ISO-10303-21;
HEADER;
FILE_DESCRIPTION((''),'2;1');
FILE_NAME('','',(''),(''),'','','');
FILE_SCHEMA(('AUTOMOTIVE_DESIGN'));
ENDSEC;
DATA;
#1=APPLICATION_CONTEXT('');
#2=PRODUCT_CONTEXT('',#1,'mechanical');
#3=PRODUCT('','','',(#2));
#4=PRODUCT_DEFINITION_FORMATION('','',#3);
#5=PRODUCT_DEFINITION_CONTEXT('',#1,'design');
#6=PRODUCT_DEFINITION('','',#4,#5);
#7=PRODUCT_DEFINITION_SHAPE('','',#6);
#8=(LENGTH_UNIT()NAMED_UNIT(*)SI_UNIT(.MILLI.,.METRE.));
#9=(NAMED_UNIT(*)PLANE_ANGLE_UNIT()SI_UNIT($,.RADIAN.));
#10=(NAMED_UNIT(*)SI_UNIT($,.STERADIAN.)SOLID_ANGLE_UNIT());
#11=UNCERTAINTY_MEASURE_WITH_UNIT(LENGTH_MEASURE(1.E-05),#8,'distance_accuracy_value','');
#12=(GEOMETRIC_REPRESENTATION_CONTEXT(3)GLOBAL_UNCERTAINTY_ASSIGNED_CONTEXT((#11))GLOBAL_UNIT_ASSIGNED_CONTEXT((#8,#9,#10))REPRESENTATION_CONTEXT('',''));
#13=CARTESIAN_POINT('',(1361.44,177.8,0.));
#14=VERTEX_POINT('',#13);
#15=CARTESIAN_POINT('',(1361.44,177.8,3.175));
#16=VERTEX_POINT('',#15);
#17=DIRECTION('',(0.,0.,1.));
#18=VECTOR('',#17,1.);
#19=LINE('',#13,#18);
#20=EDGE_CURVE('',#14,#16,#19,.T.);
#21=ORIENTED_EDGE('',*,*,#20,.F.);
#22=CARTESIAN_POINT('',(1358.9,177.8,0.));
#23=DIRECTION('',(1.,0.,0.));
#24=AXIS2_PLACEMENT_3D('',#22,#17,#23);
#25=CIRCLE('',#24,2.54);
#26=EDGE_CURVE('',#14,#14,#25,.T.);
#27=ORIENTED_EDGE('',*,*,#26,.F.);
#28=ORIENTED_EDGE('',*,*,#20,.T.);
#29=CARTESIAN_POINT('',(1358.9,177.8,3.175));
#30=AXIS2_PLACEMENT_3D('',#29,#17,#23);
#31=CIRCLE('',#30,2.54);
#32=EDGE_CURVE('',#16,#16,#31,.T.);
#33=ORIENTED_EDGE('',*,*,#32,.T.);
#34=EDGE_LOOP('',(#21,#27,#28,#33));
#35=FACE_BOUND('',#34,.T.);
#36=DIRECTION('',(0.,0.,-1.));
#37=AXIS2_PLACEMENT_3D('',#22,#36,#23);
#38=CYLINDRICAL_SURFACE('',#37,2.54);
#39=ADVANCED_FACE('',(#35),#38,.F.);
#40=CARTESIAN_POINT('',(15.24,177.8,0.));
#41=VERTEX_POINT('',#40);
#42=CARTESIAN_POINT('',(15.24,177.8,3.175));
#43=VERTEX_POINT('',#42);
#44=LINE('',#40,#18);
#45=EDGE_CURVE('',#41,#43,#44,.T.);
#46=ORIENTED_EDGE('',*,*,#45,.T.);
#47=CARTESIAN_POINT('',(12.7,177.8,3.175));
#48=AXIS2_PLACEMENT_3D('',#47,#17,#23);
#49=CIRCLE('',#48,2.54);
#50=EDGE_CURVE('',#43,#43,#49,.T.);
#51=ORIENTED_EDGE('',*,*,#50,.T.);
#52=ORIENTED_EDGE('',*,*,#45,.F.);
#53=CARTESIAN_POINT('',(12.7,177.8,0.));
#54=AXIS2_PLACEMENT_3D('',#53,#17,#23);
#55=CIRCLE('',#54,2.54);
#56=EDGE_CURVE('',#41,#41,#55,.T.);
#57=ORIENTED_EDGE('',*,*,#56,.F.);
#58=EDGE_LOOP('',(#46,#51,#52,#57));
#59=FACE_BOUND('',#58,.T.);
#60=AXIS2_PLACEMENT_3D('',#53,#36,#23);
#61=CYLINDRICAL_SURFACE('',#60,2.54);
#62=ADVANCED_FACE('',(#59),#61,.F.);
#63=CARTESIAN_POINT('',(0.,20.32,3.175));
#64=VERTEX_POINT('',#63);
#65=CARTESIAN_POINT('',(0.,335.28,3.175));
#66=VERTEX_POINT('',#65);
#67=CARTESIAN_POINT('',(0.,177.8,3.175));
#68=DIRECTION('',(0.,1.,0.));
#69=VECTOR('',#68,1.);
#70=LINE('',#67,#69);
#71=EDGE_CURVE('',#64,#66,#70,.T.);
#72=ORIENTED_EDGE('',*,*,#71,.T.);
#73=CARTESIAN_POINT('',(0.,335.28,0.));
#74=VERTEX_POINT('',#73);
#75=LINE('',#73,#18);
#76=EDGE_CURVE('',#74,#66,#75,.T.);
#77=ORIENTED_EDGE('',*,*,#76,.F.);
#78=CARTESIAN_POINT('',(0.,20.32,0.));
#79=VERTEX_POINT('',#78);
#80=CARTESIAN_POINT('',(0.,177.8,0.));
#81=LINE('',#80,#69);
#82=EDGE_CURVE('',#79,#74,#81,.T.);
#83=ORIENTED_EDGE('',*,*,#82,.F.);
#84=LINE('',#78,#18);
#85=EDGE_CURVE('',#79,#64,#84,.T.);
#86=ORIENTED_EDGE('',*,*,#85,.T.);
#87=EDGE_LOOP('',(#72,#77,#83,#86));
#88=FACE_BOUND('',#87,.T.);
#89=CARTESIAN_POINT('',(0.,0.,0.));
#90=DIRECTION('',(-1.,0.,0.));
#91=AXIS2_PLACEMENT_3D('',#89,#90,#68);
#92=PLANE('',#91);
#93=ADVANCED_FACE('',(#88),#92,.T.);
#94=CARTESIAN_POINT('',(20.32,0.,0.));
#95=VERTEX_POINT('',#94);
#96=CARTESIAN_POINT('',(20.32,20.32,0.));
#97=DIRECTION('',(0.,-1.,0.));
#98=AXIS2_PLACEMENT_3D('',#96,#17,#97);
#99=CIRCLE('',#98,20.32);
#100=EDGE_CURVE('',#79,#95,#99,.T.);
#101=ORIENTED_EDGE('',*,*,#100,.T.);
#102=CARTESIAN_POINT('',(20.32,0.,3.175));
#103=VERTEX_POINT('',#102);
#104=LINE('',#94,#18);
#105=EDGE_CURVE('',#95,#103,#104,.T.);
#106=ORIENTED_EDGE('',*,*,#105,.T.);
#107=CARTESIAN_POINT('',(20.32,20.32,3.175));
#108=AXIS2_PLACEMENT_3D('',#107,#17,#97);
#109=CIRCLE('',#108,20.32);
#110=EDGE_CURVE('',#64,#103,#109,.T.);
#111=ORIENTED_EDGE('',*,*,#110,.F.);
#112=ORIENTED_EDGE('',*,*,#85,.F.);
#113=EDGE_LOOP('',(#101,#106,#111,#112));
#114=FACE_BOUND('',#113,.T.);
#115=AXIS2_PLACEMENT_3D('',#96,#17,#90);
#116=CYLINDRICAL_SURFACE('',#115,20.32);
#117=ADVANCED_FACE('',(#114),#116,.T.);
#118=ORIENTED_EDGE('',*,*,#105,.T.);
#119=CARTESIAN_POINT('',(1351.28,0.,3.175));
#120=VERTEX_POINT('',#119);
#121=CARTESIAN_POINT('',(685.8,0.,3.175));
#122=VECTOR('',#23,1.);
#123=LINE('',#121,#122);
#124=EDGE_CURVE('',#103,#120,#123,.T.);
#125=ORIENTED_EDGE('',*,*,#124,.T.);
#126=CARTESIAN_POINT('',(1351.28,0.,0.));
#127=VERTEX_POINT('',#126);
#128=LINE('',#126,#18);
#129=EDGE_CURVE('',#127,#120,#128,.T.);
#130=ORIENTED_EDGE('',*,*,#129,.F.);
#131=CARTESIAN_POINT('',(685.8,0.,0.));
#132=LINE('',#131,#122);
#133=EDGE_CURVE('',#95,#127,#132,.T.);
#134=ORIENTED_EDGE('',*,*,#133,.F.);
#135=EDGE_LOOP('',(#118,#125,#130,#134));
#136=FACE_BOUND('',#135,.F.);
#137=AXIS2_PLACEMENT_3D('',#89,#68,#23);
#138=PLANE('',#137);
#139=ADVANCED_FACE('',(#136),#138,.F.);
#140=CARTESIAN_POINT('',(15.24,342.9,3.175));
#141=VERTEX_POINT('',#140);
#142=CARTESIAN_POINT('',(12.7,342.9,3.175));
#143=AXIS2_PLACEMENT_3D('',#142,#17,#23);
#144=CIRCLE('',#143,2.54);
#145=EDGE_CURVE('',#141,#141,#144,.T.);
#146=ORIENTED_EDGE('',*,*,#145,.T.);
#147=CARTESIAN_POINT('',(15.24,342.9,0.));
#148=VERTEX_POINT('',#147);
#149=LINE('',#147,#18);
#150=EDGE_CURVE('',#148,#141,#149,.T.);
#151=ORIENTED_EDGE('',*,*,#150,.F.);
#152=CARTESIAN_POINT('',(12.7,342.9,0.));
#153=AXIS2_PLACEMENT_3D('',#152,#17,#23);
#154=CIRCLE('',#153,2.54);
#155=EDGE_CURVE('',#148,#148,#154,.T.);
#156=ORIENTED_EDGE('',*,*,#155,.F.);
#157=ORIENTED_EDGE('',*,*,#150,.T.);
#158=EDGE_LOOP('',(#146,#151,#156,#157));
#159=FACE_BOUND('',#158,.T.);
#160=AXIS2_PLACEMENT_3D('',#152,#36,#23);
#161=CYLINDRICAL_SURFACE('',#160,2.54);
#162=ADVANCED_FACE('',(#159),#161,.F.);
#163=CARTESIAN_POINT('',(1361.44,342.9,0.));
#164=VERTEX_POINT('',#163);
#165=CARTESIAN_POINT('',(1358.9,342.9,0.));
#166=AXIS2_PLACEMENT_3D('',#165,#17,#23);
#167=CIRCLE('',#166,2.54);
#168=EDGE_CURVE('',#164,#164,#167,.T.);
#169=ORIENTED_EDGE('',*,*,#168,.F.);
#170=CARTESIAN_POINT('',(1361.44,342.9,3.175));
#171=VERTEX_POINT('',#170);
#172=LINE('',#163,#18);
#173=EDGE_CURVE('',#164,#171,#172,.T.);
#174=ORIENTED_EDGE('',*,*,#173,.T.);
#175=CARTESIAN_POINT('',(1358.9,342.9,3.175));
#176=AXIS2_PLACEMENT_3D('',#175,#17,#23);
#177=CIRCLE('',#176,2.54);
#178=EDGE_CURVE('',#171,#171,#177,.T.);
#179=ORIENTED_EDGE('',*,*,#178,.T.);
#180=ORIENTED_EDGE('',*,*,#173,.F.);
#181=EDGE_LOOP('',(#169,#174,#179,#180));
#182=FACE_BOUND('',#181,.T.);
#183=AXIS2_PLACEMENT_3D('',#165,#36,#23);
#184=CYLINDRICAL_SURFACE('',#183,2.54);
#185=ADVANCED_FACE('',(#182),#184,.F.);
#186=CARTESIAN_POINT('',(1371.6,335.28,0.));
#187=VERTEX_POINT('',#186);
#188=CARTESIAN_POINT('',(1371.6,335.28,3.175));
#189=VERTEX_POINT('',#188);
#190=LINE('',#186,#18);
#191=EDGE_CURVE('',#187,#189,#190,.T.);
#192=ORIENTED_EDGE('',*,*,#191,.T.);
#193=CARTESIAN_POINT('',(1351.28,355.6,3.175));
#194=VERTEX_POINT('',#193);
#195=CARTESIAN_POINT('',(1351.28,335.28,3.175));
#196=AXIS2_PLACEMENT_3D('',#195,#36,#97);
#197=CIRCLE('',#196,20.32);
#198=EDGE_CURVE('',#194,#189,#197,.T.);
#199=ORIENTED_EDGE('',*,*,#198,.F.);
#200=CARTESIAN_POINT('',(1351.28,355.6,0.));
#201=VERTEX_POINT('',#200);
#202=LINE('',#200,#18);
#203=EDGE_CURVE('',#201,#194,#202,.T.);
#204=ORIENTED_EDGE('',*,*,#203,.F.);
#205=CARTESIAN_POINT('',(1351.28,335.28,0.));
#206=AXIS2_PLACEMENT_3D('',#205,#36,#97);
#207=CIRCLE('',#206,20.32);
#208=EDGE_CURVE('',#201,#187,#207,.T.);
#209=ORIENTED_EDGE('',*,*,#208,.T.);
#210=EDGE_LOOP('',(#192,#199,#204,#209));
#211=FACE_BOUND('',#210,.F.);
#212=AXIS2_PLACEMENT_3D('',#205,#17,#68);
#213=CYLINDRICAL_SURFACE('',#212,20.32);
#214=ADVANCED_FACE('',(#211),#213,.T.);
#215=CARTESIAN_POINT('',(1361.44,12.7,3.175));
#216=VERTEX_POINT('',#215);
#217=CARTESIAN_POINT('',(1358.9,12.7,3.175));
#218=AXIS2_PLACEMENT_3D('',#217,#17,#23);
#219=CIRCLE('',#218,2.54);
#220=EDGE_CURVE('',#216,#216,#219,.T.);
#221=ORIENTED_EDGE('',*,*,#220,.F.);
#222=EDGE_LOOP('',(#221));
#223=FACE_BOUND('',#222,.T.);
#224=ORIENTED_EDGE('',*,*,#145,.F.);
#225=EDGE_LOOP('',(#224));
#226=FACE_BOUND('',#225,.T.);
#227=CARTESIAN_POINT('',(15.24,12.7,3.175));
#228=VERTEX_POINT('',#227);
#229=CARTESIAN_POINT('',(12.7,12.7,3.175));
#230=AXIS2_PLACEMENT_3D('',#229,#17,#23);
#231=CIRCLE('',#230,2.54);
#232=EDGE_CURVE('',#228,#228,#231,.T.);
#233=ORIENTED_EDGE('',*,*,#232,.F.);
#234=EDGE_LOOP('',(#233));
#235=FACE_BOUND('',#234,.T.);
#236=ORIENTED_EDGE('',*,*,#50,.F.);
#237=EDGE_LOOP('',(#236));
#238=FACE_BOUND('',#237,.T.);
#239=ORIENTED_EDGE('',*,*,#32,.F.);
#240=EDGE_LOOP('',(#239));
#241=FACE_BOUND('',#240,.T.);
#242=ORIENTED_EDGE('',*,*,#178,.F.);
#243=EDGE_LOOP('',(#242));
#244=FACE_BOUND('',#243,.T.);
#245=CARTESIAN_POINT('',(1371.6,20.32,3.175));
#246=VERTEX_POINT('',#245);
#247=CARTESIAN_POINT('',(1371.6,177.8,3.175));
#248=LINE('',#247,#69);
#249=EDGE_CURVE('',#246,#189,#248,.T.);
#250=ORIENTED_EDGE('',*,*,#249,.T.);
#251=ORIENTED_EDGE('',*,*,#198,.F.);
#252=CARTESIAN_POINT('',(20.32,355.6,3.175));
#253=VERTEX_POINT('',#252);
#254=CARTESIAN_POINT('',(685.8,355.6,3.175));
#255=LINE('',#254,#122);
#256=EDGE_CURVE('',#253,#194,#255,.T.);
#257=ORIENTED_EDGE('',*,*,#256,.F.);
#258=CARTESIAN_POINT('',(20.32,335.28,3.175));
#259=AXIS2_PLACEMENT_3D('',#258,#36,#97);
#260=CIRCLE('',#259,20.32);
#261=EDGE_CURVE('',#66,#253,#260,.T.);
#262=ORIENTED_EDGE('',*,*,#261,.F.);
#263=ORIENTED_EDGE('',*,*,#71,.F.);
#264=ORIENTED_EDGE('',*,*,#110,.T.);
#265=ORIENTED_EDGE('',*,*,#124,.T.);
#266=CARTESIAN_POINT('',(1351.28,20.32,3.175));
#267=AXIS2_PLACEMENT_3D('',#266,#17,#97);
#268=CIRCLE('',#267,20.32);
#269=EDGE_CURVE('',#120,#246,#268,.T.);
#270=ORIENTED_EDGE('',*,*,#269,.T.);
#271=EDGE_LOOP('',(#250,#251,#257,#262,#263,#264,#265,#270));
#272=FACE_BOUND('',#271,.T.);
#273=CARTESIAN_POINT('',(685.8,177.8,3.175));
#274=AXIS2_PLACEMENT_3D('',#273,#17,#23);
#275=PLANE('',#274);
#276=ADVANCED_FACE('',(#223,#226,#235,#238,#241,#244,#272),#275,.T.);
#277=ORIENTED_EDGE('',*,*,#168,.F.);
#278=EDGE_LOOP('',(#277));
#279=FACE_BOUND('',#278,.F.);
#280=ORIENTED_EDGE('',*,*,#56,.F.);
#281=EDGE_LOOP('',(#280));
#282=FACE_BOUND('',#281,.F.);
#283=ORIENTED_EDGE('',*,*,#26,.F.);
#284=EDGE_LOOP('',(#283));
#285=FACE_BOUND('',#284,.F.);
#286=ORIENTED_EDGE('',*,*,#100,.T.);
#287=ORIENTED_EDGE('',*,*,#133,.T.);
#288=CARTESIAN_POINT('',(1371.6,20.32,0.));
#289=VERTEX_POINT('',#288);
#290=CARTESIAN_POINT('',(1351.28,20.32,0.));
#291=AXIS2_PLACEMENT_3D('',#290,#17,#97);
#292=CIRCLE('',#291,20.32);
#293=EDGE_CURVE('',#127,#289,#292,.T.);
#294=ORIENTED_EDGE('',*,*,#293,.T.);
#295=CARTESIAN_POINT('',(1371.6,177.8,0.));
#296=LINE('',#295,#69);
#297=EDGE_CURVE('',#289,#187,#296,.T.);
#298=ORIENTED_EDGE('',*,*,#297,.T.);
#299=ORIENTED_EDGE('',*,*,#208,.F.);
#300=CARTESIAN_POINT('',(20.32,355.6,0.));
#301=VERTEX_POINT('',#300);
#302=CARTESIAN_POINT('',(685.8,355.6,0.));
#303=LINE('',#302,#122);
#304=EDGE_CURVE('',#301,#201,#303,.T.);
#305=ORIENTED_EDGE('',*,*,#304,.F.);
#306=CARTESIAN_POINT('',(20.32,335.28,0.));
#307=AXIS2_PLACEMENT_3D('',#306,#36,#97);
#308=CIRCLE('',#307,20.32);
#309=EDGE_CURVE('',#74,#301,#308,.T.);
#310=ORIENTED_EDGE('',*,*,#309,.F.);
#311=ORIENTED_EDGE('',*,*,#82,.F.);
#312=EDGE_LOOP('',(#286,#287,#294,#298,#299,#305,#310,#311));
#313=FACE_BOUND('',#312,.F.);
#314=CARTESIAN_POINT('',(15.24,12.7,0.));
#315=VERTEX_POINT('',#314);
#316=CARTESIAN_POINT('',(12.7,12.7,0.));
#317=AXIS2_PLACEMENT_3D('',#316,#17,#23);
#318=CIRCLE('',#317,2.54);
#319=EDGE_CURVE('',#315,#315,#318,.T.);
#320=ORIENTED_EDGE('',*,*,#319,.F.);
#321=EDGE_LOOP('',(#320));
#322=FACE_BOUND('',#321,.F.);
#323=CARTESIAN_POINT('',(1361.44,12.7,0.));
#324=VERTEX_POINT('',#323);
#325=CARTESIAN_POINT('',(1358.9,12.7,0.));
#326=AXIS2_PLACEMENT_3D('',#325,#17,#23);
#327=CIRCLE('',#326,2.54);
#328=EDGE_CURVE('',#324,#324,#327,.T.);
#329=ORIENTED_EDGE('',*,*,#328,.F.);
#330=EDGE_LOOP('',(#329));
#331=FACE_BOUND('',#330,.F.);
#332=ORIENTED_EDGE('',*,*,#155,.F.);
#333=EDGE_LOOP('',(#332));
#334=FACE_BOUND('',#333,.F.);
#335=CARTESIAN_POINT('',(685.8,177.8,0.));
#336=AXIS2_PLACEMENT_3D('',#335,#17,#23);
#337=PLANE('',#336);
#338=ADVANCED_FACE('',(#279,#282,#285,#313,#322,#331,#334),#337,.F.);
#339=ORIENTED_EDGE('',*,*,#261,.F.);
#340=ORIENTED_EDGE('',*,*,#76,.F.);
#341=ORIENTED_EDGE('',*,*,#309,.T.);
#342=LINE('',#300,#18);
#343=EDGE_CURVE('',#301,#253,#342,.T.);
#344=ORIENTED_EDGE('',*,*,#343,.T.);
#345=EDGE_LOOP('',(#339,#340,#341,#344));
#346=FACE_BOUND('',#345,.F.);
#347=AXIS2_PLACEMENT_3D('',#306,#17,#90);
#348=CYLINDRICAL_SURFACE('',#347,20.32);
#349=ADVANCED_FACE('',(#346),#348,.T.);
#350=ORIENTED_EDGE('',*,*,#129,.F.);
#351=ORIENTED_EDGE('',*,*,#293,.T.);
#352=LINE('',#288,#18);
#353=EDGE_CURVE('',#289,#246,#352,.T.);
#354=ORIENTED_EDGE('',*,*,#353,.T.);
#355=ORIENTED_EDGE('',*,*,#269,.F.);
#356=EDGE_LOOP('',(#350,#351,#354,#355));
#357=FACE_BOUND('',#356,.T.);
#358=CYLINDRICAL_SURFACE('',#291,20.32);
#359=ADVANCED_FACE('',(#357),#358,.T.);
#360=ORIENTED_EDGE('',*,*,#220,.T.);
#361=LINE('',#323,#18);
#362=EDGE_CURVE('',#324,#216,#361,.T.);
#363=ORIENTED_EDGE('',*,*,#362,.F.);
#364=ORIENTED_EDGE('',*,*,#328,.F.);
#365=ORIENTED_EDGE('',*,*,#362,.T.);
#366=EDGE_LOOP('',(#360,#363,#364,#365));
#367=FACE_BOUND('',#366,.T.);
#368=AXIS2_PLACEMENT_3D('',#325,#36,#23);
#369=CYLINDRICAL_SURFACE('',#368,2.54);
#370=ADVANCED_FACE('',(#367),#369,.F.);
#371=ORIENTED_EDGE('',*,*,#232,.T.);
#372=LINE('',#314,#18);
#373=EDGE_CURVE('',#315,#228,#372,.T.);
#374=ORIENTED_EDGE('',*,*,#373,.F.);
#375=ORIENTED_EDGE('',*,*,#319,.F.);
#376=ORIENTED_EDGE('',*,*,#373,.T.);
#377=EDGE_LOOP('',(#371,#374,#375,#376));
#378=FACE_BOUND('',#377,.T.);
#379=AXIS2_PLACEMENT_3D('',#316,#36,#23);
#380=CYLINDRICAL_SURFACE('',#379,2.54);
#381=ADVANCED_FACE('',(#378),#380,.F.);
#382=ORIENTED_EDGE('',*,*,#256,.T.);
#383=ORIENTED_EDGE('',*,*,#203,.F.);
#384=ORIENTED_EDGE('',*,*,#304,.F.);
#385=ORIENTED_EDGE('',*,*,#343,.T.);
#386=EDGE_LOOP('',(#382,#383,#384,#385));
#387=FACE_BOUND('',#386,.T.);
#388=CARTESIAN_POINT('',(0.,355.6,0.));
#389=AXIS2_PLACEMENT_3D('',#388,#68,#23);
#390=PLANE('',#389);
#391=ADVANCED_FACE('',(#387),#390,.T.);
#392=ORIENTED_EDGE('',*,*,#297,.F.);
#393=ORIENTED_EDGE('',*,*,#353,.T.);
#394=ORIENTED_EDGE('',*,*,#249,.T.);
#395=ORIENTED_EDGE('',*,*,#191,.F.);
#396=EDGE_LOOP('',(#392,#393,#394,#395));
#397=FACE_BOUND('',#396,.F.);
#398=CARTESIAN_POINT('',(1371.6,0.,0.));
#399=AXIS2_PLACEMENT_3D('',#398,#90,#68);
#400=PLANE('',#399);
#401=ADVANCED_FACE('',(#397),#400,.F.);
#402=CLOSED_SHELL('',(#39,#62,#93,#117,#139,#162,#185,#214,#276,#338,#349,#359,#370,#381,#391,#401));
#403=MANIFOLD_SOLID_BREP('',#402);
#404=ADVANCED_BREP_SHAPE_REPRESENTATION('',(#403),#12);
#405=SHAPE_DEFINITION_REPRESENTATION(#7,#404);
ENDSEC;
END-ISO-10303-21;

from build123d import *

# Parameters (mm, degrees)
F0_W     = 1371.6
F0_H     = 355.6
F0_R     = 2.54
F1_DEPTH = 3.175
F2_R     = 20.32


with BuildPart() as f1:
    # F0 (on Top) → F1 (new body)
    with BuildSketch(Plane.XY):
        with Locations((685.8, 177.8)):
            Rectangle(F0_W, F0_H)
        with Locations((12.7, 12.7)):
            Circle(F0_R, mode=Mode.SUBTRACT)
        with Locations((1358.9, 12.7)):
            Circle(F0_R, mode=Mode.SUBTRACT)
        with Locations((12.7, 177.8)):
            Circle(F0_R, mode=Mode.SUBTRACT)
        with Locations((12.7, 342.9)):
            Circle(F0_R, mode=Mode.SUBTRACT)
        with Locations((1358.9, 177.8)):
            Circle(F0_R, mode=Mode.SUBTRACT)
        with Locations((1358.9, 342.9)):
            Circle(F0_R, mode=Mode.SUBTRACT)
    extrude(amount=F1_DEPTH)

    # F2
    f2_edges = [f1.edges().sort_by_distance(p)[0] for p in [
        (0, 355.6, 1.5875),
        (0, 0, 1.5875),
        (1371.6, 0, 1.5875),
        (1371.6, 355.6, 1.5875),
    ]]
    fillet(f2_edges, radius=F2_R)


solid = f1.part
